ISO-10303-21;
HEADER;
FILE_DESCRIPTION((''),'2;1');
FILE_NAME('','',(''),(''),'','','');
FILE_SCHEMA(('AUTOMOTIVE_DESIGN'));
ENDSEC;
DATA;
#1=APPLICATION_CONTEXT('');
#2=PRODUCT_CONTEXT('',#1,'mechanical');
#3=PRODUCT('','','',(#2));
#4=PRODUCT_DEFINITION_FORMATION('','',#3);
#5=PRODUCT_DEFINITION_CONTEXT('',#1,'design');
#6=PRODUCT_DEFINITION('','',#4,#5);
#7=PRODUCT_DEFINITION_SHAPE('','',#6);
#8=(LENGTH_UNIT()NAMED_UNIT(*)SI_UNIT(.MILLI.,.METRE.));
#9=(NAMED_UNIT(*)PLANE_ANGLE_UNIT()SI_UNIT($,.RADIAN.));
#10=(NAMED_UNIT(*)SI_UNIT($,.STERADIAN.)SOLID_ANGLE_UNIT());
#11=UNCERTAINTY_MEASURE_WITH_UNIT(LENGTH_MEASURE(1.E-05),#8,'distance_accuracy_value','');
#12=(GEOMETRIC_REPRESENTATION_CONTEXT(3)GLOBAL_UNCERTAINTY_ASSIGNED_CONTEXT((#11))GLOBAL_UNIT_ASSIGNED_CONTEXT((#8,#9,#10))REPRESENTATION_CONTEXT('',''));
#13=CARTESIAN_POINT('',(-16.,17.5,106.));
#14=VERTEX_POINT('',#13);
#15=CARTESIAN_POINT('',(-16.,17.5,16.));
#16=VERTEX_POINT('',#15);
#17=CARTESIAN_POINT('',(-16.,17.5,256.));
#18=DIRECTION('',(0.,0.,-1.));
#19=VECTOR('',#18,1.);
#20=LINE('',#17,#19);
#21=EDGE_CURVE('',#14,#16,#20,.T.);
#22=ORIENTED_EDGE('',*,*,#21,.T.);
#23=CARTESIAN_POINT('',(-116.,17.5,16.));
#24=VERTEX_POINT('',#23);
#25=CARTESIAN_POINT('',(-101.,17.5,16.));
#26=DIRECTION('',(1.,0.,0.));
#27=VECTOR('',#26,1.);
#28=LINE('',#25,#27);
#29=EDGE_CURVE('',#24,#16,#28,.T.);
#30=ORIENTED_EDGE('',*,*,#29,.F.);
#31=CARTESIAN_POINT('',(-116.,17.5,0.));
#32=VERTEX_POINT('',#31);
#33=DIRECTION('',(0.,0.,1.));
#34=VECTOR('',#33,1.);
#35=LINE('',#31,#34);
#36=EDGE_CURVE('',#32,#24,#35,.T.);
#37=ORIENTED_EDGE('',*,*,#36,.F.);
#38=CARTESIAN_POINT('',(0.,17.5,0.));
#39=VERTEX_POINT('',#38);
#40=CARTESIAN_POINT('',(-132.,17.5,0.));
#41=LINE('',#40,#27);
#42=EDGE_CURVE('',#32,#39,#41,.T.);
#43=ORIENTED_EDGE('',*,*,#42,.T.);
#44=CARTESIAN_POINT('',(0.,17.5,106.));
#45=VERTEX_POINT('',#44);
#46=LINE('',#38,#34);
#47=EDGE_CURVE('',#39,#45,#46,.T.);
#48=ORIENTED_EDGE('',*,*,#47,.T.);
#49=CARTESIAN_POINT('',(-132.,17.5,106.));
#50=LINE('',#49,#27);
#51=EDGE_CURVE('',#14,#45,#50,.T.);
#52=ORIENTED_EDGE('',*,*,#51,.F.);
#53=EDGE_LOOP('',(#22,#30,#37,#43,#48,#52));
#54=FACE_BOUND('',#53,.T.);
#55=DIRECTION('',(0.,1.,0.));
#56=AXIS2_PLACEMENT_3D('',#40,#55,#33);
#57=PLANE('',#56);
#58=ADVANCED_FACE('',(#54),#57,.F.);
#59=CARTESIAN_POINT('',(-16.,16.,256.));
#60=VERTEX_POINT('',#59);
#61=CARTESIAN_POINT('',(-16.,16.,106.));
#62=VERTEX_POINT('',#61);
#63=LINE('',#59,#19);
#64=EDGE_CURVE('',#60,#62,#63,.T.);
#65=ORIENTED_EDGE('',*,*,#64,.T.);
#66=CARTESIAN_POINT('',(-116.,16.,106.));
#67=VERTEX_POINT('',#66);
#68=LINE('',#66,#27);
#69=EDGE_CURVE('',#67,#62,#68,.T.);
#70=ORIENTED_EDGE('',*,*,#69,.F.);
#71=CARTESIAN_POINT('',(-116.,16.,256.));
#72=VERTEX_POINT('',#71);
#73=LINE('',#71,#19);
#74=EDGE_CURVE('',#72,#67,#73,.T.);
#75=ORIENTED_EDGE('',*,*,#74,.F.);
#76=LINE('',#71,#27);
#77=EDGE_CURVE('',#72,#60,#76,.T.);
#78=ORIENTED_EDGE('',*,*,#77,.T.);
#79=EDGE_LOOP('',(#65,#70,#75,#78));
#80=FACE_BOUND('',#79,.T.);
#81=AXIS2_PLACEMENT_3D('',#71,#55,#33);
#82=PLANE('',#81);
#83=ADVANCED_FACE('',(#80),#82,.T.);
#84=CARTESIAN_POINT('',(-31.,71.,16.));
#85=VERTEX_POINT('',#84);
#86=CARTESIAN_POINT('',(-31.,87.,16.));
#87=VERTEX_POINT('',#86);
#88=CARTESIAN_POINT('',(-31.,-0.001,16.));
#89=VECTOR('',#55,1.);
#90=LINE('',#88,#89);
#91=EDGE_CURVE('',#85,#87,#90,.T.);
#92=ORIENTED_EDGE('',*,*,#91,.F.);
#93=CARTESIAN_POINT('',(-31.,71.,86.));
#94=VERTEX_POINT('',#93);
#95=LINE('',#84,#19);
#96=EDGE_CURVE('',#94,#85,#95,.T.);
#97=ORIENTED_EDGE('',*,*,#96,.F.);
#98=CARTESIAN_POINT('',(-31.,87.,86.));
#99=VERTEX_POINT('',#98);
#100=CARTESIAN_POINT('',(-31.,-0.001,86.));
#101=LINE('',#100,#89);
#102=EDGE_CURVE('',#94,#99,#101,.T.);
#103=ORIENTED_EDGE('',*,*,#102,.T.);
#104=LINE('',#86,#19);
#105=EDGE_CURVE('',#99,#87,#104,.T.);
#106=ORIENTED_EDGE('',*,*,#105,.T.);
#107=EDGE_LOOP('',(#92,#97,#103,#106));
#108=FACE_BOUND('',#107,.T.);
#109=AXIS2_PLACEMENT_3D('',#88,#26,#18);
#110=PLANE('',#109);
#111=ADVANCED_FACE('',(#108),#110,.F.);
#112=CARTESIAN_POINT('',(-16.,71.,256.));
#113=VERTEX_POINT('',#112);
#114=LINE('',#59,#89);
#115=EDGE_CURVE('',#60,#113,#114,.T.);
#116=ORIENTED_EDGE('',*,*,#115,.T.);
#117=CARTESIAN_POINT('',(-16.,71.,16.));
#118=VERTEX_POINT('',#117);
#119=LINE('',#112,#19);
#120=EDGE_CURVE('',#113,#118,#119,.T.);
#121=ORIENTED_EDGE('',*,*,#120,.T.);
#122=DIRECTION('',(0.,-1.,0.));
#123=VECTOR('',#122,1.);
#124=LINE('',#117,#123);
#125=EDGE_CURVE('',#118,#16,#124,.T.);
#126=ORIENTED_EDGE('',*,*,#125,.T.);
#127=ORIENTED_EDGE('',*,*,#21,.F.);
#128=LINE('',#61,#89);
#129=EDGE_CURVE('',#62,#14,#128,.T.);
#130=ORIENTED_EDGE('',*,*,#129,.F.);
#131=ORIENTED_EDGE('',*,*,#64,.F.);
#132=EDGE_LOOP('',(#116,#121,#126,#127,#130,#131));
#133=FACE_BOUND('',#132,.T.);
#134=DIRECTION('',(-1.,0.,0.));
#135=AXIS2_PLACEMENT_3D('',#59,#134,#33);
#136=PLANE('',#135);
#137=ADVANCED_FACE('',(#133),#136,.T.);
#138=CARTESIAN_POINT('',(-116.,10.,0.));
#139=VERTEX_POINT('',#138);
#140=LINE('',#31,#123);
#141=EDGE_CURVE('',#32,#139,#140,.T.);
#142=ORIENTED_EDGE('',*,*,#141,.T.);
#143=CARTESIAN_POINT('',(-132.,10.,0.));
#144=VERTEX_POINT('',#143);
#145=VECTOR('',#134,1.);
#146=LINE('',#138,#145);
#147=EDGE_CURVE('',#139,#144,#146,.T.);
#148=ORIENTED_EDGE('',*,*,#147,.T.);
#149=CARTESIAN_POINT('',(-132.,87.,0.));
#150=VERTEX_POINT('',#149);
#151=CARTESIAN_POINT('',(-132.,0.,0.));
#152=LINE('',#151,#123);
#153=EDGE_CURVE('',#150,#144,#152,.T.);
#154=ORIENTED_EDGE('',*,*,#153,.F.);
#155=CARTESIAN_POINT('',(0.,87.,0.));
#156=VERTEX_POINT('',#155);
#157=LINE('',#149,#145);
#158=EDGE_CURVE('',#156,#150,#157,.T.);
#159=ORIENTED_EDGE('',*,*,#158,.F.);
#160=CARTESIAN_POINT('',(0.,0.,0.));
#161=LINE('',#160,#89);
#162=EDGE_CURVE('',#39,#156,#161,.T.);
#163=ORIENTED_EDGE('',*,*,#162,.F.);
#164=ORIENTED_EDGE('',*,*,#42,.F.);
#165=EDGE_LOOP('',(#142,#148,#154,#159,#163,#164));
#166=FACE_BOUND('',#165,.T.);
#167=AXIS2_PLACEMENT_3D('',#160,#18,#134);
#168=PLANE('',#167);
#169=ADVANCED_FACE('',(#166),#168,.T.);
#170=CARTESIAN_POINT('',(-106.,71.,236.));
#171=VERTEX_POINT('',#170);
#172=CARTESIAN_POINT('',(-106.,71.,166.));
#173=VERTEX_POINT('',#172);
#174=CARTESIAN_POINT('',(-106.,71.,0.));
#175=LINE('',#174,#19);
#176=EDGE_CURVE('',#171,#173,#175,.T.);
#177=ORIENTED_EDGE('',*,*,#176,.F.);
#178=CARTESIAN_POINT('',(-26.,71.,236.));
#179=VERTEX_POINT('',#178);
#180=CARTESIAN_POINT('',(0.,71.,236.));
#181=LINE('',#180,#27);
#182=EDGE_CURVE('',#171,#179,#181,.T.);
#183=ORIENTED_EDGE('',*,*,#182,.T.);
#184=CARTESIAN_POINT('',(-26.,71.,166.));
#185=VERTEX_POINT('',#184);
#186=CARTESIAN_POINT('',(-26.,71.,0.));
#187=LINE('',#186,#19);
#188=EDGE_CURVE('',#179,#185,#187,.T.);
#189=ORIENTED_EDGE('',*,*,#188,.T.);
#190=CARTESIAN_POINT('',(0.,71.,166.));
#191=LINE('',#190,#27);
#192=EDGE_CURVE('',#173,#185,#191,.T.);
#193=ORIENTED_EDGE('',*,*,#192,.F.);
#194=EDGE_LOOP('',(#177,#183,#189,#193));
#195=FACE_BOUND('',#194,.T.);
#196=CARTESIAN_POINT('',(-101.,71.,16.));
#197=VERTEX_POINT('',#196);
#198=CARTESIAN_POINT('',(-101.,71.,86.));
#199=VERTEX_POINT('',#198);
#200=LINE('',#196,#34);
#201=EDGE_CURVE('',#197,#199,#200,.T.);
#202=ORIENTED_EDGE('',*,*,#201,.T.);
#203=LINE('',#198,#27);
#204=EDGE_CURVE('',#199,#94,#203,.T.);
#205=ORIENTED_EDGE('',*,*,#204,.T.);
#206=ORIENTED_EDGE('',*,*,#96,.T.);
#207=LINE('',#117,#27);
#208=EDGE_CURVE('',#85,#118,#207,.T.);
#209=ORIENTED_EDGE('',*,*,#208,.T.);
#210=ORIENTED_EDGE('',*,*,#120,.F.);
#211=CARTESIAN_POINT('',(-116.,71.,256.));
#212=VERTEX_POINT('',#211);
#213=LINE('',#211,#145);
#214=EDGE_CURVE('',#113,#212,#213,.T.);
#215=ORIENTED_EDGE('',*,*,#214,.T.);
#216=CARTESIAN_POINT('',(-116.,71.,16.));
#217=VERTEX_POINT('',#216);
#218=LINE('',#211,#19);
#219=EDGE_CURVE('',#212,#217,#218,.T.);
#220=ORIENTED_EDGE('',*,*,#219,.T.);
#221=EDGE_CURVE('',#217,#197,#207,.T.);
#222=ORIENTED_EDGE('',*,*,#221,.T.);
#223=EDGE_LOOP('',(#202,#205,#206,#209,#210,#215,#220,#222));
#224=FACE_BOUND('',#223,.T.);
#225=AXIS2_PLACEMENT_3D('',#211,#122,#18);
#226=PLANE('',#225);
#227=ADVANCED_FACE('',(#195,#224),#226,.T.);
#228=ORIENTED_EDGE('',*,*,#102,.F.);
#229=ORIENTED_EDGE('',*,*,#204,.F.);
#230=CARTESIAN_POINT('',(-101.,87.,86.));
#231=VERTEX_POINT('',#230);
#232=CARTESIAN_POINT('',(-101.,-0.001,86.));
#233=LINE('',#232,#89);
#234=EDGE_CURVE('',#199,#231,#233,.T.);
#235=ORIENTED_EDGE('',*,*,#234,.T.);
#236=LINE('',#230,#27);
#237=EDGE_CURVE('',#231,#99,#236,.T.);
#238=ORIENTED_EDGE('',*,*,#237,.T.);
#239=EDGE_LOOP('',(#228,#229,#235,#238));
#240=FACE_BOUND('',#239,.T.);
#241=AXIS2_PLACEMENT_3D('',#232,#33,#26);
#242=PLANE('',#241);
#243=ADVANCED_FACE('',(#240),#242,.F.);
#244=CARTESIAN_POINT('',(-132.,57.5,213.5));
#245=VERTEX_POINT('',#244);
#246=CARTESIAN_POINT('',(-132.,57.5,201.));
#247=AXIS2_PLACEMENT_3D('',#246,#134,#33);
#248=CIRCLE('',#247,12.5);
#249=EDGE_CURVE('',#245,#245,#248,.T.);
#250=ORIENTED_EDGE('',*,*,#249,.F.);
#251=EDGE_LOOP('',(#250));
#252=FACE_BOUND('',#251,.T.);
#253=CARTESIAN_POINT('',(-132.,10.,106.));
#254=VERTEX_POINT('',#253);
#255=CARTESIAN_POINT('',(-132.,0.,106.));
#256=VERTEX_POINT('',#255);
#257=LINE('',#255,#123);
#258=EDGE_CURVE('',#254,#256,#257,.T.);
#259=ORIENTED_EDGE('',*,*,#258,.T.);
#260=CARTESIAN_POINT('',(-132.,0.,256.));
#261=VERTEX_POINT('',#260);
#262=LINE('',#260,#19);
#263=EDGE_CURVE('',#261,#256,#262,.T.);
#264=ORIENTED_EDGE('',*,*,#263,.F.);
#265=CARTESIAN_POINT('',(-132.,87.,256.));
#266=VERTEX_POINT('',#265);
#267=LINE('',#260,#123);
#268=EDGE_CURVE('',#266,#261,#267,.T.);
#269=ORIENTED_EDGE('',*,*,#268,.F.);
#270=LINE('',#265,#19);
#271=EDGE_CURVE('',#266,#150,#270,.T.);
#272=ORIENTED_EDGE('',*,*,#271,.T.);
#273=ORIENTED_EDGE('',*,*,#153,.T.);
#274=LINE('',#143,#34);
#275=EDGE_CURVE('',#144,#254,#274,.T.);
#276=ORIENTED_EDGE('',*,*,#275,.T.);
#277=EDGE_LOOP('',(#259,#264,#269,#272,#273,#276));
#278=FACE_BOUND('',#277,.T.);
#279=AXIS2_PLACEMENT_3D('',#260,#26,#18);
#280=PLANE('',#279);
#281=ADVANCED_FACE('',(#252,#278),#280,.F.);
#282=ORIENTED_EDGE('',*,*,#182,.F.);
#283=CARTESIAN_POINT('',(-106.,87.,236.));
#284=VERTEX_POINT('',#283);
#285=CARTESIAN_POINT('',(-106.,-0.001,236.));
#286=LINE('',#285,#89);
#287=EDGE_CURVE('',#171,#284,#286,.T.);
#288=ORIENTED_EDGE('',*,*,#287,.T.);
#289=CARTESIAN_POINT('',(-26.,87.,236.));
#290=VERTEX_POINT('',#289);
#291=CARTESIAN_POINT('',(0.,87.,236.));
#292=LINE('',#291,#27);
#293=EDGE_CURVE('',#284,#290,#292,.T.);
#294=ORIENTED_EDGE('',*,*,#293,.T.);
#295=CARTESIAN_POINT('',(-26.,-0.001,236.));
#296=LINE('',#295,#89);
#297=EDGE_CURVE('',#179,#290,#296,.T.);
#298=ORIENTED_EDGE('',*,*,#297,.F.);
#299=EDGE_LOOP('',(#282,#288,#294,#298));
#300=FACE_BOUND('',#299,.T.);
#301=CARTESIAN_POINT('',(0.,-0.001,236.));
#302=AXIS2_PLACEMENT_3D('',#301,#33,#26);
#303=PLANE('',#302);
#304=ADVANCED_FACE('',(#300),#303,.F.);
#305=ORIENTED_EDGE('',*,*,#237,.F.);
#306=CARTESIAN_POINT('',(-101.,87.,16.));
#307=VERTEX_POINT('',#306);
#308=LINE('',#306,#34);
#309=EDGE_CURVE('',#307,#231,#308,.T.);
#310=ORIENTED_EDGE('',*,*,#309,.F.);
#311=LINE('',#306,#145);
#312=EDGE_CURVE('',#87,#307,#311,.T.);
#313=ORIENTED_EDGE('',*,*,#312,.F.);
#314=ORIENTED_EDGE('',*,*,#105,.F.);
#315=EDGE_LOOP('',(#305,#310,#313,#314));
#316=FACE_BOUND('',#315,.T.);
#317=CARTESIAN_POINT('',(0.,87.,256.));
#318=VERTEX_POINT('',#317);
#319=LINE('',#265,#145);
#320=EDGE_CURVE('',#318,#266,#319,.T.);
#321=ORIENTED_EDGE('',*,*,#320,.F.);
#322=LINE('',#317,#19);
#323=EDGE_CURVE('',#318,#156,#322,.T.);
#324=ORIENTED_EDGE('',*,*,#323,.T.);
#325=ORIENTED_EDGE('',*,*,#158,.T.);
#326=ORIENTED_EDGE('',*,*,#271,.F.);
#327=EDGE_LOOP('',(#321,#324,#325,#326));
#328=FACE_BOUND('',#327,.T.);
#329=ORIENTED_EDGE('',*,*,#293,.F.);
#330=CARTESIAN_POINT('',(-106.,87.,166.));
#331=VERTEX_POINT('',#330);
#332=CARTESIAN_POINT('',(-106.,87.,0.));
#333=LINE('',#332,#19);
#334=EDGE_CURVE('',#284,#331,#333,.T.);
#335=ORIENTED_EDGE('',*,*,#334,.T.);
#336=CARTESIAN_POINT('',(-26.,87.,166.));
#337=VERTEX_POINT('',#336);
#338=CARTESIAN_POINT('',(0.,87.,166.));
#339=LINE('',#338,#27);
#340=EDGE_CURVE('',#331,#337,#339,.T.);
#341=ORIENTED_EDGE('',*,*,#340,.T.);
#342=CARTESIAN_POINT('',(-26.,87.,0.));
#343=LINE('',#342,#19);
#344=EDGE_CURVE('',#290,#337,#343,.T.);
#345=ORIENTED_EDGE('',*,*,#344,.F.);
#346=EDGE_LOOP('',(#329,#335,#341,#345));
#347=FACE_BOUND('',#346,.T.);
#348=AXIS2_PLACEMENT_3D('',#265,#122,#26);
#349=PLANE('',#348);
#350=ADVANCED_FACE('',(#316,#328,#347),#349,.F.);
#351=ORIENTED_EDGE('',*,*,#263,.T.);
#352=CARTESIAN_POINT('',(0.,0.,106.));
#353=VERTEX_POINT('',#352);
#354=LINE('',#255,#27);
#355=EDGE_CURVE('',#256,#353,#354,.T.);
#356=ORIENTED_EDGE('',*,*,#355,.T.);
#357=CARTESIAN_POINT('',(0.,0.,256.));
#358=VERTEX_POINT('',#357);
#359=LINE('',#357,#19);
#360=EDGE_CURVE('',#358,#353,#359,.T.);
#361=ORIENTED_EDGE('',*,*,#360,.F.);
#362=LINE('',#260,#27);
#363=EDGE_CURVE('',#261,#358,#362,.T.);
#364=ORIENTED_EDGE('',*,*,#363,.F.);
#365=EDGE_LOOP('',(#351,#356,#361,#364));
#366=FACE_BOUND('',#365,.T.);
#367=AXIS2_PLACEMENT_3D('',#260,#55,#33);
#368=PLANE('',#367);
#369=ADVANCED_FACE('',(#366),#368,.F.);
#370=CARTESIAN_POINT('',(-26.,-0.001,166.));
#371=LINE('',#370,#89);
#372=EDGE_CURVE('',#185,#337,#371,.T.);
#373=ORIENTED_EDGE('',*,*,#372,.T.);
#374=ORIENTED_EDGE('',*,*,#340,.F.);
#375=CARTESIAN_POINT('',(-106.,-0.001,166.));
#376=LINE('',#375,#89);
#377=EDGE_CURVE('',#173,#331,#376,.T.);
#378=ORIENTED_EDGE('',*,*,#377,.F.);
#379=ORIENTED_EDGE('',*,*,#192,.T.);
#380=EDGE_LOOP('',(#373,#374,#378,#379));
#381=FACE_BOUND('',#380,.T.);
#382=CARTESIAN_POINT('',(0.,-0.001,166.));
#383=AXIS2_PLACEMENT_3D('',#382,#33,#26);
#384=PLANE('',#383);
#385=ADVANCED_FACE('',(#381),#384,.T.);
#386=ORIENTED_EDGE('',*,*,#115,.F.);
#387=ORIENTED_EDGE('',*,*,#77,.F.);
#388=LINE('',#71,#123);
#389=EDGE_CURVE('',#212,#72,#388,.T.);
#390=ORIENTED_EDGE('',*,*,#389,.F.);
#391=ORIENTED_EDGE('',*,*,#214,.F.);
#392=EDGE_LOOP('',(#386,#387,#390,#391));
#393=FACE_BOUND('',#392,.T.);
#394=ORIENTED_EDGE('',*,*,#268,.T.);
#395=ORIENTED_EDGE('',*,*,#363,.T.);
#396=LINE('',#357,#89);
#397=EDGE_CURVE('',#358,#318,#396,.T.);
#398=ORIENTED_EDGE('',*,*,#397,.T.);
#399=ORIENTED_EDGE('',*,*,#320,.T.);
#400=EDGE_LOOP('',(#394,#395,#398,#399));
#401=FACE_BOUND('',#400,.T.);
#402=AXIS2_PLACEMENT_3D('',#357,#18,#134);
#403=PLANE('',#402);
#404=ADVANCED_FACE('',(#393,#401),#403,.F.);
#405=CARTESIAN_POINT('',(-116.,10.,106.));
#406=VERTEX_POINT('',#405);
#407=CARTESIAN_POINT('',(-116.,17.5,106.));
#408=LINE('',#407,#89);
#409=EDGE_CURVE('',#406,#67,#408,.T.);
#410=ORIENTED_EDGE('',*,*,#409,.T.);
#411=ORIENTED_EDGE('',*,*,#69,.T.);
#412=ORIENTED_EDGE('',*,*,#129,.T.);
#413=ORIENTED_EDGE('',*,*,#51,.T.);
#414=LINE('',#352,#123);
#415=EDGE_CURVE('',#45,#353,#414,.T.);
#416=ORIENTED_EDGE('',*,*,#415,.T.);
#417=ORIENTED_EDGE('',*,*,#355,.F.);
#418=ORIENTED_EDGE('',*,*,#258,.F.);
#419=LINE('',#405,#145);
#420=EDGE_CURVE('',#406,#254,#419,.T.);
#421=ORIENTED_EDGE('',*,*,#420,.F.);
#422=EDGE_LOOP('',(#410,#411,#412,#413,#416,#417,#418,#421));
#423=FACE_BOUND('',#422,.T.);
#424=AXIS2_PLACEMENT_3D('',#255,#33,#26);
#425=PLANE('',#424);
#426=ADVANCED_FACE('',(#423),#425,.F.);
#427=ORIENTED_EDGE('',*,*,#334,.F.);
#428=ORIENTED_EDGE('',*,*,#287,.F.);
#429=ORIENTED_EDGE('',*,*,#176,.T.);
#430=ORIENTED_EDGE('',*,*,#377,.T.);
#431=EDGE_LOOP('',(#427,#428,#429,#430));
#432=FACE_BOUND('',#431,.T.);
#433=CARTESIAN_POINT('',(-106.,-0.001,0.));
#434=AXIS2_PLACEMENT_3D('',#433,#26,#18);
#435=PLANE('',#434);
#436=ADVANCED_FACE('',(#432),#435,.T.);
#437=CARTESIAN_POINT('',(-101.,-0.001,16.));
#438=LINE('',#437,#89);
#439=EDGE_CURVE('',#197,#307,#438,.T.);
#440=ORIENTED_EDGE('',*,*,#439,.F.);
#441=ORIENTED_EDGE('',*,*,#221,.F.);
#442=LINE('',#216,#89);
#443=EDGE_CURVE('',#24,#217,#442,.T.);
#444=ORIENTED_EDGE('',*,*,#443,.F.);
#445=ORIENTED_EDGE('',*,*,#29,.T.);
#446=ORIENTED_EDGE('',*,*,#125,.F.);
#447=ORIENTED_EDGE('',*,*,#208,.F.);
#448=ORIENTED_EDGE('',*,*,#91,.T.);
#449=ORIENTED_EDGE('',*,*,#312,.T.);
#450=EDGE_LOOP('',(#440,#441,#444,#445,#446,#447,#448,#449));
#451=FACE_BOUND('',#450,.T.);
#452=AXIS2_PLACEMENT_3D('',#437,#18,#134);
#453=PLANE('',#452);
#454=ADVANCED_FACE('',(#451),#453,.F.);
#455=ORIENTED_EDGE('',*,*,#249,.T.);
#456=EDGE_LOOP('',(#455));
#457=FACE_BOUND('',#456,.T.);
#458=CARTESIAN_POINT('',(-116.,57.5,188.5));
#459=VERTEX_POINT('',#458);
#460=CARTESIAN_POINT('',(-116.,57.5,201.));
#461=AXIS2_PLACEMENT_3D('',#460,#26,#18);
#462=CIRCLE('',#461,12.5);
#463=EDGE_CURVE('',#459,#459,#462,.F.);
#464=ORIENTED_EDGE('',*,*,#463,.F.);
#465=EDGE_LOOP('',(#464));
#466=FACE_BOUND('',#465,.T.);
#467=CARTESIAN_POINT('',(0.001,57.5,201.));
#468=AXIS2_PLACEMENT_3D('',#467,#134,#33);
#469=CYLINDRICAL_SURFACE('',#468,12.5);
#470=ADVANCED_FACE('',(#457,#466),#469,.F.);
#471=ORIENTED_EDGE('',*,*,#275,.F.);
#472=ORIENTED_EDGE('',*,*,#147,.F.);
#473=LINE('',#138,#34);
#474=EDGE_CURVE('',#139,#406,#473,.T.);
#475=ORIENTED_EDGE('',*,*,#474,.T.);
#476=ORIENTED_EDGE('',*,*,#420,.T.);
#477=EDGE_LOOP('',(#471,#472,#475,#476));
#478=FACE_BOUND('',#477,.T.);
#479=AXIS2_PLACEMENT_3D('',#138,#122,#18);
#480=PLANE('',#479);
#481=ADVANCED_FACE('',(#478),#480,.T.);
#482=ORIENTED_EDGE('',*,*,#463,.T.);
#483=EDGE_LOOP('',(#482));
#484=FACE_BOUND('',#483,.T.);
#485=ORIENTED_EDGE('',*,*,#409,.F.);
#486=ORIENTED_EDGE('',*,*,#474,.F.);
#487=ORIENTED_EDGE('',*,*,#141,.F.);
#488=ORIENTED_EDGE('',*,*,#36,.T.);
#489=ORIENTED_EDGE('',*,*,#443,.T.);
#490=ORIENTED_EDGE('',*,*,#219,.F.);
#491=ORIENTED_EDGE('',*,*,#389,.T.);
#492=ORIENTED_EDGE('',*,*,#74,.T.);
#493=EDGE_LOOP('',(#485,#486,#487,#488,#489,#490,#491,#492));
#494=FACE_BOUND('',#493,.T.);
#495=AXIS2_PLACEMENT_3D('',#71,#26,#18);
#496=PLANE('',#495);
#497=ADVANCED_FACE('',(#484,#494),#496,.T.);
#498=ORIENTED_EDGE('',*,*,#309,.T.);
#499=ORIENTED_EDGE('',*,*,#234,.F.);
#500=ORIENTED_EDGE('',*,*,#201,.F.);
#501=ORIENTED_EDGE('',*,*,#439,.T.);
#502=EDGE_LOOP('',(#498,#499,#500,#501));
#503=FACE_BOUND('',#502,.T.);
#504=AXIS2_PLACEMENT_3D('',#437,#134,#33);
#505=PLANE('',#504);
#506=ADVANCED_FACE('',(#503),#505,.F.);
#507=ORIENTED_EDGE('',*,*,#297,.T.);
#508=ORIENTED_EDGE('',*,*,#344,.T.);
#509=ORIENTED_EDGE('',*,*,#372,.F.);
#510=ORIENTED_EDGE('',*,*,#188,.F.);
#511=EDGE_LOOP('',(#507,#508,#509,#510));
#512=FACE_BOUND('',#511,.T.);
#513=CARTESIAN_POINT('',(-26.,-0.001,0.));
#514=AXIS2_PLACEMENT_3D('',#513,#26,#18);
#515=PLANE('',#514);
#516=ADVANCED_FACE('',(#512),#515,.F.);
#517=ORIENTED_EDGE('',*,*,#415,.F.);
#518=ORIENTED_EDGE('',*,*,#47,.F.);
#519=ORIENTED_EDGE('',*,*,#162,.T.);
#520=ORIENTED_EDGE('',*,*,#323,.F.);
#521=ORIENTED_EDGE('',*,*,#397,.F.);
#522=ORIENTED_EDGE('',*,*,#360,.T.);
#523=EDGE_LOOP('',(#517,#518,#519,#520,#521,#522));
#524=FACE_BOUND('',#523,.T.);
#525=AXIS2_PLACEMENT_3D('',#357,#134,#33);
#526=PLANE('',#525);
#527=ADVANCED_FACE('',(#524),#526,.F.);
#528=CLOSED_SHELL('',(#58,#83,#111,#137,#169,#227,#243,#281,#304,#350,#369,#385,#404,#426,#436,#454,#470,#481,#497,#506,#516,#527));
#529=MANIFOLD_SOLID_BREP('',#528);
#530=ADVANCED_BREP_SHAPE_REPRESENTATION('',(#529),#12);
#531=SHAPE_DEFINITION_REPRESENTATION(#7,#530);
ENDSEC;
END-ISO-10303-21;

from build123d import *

# Parameters (mm, degrees)
SKETCH1_W           = 132
SKETCH1_H           = 87
SKETCH1_W_2         = 100
SKETCH1_H_2         = 55
BOSS_EXTRUDE1_DEPTH = 256
CUT_EXTRUDE1_REACH  = 89
SKETCH4_W           = 80
SKETCH4_H           = 70
CUT_EXTRUDE2_REACH  = 89
SKETCH5_W           = 70
SKETCH5_H           = 70
SKETCH6_W           = 100
SKETCH6_H           = 55
BOSS_EXTRUDE2_DEPTH = 16
SKETCH7_W           = 106
SKETCH7_H           = 17.5
CUT_EXTRUDE3_DEPTH  = 133
SKETCH9_W           = 106
SKETCH9_H           = 7.5
BOSS_EXTRUDE4_DEPTH = 16
CUT_EXTRUDE4_REACH  = 134
SKETCH10_R          = 12.5


with BuildPart() as part:
    # Sketch1 → Boss-Extrude1 (new body)
    with BuildSketch(Plane.XY):
        with Locations((-66, 43.5)):
            Rectangle(SKETCH1_W, SKETCH1_H)
        with Locations((-66, 43.5)):
            Rectangle(SKETCH1_W_2, SKETCH1_H_2, mode=Mode.SUBTRACT)
    extrude(amount=BOSS_EXTRUDE1_DEPTH)

    # Sketch4 → Cut-Extrude1 (cut, up to next)
    with BuildSketch(Plane(origin=(0, 87, 0), x_dir=(1, 0, 0), z_dir=(0, 1, 0)), mode=Mode.PRIVATE) as cut_extrude1_sk1:
        with Locations((-66, -201)):
            Rectangle(SKETCH4_W, SKETCH4_H)
    cut_extrude1_tool1 = extrude(cut_extrude1_sk1.sketch, amount=-CUT_EXTRUDE1_REACH, mode=Mode.PRIVATE) & part.part
    add(cut_extrude1_tool1.solids().sort_by_distance((-66, 87, 201))[0], mode=Mode.SUBTRACT)

    # Sketch5 → Cut-Extrude2 (cut, up to next)
    with BuildSketch(Plane(origin=(0, 87, 0), x_dir=(1, 0, 0), z_dir=(0, 1, 0)), mode=Mode.PRIVATE) as cut_extrude2_sk1:
        with Locations((-66, -51)):
            Rectangle(SKETCH5_W, SKETCH5_H)
    cut_extrude2_tool1 = extrude(cut_extrude2_sk1.sketch, amount=-CUT_EXTRUDE2_REACH, mode=Mode.PRIVATE) & part.part
    add(cut_extrude2_tool1.solids().sort_by_distance((-66, 87, 51))[0], mode=Mode.SUBTRACT)

    # Sketch6 → Boss-Extrude2 (add)
    with BuildSketch(Plane(origin=(0, 0, 0), x_dir=(-1, 0, 0), z_dir=(0, 0, -1))):
        with Locations((66, 43.5)):
            Rectangle(SKETCH6_W, SKETCH6_H)
    extrude(amount=-BOSS_EXTRUDE2_DEPTH)

    # Sketch7 → Cut-Extrude3 (cut, through all)
    with BuildSketch(Plane(origin=(0, 0, 0), x_dir=(0, 0, -1), z_dir=(1, 0, 0))):
        with Locations((-53, 8.75)):
            Rectangle(SKETCH7_W, SKETCH7_H)
    extrude(amount=-CUT_EXTRUDE3_DEPTH, mode=Mode.SUBTRACT)

    # Sketch9 → Boss-Extrude4 (add)
    with BuildSketch(Plane.ZY.offset(132)):
        with Locations((53, 13.75)):
            Rectangle(SKETCH9_W, SKETCH9_H)
    extrude(amount=-BOSS_EXTRUDE4_DEPTH)

    # Sketch10 → Cut-Extrude4 (cut, up to next)
    with BuildSketch(Plane.ZY.offset(132), mode=Mode.PRIVATE) as cut_extrude4_sk1:
        with Locations((201, 57.5)):
            Circle(SKETCH10_R)
    cut_extrude4_tool1 = extrude(cut_extrude4_sk1.sketch, amount=-CUT_EXTRUDE4_REACH, mode=Mode.PRIVATE) & part.part
    add(cut_extrude4_tool1.solids().sort_by_distance((-132, 57.5, 201))[0], mode=Mode.SUBTRACT)


solid = part.part
